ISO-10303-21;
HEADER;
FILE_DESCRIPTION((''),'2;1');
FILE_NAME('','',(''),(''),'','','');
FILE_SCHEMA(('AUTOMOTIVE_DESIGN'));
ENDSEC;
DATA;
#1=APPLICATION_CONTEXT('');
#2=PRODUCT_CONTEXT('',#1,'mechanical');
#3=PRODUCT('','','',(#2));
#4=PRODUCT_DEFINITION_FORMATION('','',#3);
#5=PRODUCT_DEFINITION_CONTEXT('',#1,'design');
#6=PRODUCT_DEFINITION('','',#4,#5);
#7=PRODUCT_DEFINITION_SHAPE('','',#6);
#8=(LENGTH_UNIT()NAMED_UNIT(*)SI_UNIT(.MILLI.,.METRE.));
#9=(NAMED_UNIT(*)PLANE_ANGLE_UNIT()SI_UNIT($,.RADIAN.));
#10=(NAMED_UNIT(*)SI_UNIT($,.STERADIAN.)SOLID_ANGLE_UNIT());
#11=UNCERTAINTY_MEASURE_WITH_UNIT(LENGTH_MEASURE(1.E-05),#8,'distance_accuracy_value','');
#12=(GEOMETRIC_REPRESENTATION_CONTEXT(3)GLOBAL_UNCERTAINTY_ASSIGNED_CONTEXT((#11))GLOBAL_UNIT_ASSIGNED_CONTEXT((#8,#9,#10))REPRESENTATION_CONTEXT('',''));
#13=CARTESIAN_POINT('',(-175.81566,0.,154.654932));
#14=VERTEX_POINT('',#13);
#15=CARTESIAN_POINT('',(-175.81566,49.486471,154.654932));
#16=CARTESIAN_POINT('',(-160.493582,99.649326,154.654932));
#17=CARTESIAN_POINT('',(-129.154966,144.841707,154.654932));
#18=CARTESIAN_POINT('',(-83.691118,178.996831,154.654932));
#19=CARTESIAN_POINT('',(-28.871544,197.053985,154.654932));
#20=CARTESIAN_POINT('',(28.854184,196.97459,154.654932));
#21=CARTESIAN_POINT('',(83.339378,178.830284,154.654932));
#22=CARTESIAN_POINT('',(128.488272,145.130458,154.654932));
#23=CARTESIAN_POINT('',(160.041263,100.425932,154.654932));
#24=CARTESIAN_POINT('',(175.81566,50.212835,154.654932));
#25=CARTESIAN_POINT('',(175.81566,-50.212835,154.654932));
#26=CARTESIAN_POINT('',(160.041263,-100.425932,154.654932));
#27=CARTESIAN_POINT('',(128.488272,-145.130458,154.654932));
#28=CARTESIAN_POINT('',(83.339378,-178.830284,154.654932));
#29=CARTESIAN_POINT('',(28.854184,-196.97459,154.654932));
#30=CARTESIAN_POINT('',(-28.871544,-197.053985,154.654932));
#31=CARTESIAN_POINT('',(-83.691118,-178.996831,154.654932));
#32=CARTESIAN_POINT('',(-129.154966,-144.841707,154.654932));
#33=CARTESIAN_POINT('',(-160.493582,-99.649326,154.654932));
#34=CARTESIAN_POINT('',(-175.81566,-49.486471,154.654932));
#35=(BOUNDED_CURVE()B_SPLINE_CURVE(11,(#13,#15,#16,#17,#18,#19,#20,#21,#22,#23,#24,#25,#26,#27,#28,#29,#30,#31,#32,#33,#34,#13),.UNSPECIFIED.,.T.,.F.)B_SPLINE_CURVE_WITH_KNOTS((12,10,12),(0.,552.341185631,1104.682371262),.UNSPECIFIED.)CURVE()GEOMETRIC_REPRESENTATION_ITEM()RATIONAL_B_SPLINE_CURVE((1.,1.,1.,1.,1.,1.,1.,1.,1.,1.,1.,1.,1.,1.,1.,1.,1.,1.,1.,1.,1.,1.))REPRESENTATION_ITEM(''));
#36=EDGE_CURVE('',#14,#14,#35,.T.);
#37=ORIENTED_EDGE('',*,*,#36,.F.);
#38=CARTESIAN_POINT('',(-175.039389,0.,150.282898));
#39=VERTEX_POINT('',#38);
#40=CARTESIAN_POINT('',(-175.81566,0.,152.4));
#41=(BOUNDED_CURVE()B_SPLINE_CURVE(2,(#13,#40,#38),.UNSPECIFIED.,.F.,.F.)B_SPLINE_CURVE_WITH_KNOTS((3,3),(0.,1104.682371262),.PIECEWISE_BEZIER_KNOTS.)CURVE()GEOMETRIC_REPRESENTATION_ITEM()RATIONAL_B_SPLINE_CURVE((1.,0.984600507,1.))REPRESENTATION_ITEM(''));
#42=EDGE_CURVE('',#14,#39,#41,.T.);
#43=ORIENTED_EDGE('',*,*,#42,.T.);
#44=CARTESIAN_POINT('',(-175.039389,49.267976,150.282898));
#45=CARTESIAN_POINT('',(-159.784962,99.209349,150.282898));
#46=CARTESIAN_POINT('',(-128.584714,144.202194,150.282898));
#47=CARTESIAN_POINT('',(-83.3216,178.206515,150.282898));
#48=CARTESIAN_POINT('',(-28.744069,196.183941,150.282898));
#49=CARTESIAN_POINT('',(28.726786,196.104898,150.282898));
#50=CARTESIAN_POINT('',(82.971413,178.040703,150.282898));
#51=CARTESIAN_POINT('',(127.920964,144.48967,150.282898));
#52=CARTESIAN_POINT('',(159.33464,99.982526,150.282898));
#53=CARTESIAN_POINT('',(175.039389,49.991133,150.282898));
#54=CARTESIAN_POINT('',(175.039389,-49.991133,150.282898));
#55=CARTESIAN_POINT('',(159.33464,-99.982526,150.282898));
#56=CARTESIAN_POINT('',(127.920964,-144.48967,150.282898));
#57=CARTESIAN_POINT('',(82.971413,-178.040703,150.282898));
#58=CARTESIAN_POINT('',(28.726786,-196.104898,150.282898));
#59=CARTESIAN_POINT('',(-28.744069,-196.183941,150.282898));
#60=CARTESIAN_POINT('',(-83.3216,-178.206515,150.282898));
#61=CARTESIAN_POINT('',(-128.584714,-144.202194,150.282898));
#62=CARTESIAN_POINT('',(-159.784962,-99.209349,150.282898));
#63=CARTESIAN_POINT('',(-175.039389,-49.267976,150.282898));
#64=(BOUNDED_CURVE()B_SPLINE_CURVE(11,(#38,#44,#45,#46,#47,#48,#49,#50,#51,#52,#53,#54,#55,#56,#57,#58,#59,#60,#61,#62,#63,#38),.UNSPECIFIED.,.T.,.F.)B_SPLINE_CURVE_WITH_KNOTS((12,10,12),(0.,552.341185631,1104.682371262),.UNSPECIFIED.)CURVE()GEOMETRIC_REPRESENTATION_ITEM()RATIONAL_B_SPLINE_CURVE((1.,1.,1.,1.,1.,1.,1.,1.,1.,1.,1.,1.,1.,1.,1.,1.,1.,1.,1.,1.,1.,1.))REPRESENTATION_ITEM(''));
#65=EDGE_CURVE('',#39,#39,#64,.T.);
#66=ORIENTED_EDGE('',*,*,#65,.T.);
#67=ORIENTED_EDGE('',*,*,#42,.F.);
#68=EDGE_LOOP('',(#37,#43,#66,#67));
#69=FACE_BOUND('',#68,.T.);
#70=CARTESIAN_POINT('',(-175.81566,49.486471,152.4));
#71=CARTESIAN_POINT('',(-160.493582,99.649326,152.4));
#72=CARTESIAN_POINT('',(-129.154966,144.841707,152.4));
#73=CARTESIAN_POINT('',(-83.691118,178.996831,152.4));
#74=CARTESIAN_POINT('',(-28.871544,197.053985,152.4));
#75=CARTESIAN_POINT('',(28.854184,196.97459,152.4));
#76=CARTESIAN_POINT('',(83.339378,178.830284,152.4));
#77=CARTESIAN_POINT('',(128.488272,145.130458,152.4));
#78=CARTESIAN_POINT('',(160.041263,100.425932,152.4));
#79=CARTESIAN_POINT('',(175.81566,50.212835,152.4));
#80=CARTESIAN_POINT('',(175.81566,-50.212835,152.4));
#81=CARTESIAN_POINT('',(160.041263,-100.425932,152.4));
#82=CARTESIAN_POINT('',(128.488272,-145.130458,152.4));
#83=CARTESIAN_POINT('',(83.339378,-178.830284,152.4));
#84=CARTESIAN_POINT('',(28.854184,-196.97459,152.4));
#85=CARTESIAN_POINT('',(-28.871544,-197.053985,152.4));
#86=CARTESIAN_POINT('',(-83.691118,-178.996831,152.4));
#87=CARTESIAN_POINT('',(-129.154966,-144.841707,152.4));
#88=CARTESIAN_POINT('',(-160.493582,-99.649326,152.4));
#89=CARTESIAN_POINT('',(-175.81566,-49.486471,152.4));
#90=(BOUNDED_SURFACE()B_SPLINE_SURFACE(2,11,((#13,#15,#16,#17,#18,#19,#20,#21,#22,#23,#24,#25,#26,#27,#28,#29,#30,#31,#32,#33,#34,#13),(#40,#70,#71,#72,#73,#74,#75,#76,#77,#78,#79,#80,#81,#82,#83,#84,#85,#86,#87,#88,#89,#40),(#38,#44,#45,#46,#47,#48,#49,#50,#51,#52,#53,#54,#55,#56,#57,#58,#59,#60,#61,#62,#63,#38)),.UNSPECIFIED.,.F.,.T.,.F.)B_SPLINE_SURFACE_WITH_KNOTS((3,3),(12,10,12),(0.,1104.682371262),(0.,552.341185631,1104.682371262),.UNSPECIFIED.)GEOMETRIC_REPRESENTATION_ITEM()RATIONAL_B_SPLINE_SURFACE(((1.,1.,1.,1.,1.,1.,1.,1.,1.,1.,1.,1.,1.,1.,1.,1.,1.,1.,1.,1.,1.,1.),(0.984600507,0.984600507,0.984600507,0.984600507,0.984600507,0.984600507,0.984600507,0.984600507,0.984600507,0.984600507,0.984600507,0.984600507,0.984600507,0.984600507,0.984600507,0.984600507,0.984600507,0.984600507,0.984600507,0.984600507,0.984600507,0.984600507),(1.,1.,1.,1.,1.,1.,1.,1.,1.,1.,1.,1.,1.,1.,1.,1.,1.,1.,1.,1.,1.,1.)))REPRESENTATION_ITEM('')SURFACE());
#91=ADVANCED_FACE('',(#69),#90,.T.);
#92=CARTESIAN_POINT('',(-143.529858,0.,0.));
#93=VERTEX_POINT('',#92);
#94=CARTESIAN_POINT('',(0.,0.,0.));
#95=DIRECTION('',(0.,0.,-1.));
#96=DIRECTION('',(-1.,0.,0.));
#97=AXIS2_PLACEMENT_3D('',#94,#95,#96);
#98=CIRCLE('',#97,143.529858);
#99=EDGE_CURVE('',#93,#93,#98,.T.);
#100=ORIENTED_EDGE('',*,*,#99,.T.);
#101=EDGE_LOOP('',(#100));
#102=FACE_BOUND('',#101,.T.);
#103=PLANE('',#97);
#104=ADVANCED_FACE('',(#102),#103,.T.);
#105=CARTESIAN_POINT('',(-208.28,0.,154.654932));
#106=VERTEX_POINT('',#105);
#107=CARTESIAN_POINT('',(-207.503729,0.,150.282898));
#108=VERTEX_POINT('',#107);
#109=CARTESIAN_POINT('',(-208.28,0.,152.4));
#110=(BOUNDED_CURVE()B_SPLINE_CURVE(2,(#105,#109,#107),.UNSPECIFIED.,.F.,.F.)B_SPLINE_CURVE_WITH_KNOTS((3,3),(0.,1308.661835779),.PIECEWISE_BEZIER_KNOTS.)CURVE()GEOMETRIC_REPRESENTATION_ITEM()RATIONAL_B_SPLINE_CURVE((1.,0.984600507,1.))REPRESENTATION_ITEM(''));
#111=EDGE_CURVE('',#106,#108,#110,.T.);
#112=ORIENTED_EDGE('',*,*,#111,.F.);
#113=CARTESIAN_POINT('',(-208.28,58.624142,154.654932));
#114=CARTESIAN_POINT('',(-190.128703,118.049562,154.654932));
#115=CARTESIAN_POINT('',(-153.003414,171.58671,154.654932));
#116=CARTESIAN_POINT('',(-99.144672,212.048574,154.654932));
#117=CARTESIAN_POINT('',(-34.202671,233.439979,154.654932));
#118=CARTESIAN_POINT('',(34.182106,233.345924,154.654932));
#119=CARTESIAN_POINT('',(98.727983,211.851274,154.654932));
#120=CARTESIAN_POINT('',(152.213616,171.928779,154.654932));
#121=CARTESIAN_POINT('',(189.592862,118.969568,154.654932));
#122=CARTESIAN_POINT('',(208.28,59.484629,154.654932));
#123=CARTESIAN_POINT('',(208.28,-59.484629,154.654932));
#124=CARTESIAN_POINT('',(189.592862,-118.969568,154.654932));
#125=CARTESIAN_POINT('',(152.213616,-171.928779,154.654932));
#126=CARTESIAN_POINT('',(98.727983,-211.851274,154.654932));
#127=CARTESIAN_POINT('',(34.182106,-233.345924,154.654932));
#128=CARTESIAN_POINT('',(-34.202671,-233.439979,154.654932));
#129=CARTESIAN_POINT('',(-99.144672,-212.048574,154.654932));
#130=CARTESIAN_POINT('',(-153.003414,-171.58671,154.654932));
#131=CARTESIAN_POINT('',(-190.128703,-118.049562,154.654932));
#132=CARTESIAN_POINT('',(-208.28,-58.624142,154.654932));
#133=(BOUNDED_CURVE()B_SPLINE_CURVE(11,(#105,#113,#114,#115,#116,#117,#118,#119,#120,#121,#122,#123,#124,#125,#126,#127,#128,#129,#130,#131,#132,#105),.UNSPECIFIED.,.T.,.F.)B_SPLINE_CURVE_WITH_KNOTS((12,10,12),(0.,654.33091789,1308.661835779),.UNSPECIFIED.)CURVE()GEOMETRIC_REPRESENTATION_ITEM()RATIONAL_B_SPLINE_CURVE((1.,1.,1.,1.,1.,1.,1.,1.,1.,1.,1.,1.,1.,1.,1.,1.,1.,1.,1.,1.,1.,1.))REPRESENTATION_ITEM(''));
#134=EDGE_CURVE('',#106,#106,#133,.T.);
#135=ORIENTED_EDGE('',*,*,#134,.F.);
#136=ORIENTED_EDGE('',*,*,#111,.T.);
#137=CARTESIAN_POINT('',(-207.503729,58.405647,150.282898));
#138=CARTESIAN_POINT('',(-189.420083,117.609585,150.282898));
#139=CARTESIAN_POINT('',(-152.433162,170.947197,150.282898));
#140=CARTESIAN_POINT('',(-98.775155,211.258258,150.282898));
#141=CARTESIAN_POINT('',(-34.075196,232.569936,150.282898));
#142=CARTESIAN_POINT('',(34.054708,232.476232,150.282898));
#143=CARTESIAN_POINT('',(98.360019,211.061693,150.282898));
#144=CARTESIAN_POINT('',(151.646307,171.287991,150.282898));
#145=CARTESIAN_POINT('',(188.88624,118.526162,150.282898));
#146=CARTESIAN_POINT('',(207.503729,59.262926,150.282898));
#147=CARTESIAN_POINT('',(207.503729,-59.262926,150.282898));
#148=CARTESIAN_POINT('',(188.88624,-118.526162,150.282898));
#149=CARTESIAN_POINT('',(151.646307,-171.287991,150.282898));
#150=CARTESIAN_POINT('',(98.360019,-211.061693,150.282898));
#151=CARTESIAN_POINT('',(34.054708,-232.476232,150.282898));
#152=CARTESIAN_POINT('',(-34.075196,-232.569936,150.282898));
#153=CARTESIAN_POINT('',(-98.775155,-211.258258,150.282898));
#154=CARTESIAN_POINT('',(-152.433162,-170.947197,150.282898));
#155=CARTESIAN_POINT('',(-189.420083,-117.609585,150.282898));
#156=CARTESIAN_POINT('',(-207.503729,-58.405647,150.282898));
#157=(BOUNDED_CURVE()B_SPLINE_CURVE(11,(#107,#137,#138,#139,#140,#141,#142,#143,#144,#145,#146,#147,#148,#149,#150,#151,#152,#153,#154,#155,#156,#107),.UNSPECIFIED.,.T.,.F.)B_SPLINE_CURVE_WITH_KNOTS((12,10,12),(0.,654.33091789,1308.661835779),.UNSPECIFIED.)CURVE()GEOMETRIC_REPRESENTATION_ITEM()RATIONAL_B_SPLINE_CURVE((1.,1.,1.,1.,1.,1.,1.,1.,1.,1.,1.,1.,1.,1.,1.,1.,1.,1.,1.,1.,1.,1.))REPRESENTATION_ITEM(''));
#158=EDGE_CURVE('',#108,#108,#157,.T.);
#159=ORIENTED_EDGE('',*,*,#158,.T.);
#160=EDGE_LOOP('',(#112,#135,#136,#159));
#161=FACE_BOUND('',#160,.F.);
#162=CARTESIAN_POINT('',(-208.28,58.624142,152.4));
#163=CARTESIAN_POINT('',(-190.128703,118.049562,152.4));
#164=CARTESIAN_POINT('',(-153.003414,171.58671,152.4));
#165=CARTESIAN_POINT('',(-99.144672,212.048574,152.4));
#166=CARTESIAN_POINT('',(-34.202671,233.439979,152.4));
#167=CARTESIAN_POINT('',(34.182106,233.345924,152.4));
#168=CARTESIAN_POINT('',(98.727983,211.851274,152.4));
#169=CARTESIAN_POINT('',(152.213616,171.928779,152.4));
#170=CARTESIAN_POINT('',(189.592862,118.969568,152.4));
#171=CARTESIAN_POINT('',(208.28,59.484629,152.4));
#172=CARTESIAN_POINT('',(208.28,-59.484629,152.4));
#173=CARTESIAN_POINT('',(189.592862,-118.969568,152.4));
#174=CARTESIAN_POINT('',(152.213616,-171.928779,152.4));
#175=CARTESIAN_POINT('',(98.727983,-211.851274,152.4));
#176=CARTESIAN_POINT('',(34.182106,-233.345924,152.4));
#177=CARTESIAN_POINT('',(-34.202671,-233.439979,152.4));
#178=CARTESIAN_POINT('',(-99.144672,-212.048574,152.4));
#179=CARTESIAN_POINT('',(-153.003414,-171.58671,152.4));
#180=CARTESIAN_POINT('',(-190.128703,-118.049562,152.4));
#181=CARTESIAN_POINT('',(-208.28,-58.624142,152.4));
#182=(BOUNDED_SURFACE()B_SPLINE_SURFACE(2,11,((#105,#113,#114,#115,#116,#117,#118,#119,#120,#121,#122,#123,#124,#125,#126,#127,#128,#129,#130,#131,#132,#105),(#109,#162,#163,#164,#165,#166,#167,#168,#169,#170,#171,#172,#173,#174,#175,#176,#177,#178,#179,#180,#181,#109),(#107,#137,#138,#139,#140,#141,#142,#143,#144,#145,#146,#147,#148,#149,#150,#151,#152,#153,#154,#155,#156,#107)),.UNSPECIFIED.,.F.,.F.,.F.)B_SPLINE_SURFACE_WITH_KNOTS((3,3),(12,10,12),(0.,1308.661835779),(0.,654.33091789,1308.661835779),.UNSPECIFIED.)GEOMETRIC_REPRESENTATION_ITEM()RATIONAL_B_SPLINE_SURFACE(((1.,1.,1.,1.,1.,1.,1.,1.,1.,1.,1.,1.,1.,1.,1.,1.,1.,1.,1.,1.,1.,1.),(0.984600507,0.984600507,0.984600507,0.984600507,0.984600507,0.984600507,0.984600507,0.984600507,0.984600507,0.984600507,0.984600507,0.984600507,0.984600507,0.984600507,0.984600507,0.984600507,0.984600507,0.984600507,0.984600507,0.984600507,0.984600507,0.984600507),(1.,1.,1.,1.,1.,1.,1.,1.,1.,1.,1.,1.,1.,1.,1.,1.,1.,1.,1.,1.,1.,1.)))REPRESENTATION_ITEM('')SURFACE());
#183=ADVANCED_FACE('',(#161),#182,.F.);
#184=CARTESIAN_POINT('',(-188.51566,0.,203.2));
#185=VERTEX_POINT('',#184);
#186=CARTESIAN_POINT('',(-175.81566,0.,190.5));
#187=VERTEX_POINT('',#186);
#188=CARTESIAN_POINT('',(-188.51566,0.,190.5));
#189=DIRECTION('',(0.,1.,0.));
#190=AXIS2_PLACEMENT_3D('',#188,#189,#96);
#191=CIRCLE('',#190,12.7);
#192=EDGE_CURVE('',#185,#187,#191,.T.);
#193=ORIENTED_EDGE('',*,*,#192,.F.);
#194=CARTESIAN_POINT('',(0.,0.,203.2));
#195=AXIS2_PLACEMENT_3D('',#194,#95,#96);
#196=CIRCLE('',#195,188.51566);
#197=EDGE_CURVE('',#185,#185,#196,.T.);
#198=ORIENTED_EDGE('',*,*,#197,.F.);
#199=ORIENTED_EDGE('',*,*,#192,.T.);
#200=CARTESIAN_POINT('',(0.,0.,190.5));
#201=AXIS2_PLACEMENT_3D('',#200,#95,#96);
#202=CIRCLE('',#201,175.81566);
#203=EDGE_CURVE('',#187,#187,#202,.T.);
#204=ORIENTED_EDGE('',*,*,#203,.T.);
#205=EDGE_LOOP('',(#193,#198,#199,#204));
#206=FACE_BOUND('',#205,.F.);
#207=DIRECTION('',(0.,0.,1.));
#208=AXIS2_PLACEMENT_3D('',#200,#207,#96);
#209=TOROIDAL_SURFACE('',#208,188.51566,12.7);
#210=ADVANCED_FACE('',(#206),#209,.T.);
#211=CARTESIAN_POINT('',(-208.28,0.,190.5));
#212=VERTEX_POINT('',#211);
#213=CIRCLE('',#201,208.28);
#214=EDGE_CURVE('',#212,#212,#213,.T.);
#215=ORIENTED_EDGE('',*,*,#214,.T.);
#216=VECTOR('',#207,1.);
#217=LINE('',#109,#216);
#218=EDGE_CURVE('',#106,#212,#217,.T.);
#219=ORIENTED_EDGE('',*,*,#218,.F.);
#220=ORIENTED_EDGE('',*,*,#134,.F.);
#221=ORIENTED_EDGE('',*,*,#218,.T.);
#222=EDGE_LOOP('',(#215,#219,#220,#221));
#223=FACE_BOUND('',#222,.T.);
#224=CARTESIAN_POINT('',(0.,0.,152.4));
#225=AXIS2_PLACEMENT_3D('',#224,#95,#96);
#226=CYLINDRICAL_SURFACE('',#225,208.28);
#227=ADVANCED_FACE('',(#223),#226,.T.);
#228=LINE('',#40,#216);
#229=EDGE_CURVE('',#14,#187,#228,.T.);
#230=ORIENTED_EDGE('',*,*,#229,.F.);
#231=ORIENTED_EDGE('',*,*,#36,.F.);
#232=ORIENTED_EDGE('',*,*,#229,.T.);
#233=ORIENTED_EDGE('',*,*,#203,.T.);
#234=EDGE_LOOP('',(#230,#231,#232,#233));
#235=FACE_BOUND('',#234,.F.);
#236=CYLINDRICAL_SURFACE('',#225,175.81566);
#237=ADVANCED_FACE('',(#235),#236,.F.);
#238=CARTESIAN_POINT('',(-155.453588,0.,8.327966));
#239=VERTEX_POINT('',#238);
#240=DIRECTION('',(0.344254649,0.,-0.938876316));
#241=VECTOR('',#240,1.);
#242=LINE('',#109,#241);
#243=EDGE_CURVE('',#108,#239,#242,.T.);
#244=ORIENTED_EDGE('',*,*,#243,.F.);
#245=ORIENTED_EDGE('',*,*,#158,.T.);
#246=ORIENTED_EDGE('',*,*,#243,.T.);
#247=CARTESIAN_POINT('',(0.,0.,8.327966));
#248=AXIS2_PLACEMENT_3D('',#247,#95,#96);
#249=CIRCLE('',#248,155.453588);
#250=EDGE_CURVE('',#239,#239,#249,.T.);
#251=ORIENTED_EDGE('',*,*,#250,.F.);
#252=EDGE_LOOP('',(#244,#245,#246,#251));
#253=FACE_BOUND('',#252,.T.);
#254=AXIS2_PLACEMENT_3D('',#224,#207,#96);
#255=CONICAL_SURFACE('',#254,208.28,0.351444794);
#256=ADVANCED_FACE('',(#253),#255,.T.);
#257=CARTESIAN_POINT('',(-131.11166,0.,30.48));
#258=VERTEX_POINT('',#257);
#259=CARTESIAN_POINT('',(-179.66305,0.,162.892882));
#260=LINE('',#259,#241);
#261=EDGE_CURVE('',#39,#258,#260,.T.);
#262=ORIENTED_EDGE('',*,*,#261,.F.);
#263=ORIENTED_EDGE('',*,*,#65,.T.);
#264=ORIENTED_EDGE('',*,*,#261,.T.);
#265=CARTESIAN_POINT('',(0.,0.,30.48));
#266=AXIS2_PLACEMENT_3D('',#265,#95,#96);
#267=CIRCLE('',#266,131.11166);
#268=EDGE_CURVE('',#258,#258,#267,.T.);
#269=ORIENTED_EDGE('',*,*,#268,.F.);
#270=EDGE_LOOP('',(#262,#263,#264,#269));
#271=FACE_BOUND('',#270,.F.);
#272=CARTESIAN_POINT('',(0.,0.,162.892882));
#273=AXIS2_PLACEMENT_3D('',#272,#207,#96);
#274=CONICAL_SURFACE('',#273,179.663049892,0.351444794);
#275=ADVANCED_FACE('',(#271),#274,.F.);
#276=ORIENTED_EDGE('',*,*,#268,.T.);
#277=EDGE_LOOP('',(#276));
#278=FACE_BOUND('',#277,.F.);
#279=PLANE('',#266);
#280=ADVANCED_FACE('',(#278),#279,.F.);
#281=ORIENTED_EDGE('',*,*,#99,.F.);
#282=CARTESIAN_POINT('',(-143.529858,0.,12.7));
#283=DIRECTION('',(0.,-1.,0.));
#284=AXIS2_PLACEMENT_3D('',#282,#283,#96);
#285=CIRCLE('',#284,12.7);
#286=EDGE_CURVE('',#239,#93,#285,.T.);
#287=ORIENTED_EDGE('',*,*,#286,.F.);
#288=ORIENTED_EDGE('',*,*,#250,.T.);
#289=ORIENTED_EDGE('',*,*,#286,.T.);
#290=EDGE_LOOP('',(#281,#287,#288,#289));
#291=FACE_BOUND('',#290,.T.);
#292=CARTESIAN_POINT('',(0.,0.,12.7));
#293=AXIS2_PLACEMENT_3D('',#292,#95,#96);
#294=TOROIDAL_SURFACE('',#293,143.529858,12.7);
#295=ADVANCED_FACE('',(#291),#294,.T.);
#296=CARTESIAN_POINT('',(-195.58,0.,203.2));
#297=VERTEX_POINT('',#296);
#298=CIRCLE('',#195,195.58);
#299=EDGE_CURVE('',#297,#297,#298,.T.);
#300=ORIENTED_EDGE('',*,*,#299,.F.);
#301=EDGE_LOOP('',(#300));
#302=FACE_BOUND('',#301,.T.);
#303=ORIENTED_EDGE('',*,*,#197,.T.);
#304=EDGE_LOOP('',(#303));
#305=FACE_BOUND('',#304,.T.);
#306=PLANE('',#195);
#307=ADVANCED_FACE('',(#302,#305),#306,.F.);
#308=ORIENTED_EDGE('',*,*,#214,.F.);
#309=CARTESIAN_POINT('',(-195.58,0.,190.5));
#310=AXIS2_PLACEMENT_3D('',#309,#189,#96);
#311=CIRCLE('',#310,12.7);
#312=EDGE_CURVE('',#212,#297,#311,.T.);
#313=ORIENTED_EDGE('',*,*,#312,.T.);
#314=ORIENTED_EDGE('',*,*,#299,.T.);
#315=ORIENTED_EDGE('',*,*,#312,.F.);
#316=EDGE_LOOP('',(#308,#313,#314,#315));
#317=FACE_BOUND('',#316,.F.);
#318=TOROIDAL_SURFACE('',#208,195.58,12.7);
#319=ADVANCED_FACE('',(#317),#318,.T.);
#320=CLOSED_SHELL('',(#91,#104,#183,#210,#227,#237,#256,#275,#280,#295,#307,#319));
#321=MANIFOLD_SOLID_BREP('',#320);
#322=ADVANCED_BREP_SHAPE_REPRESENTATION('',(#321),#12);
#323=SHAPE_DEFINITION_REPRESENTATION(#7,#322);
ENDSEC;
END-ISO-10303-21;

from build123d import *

# Parameters (mm, degrees)
F2_T     = -30.48
F3_DEPTH = 50.8
F4_R     = 12.7


with BuildPart() as f1:
    # F0 (on Front) → F1 (revolve)
    with BuildSketch(Plane.XZ):
        Polygon((-152.4, 0), (0, 0), (0, 152.4), (-208.28, 152.4), align=None)
    revolve(axis=Axis((0, 0, 76.2), (0, 0, -1)))

    # F2
    f2_openings = [f1.faces().sort_by_distance(p)[0] for p in [
        (0, 0, 152.4),
    ]]
    offset(amount=F2_T, openings=f2_openings)

    # F3 (add): a face of the model
    f3_faces = [f1.faces().sort_by_distance(p)[0] for p in [
        (202.3889519846, 0, 152.4),
    ]]
    extrude(f3_faces, amount=F3_DEPTH)

    # F4
    f4_edges = [f1.edges().sort_by_distance(p)[0] for p in [
        (208.28, 0, 203.2),
        (175.81566, 0, 203.2),
        (175.81566, 0, 152.4),
        (208.28, 0, 152.4),
        (152.4, 0, 0),
    ]]
    fillet(f4_edges, radius=F4_R)


solid = f1.part
